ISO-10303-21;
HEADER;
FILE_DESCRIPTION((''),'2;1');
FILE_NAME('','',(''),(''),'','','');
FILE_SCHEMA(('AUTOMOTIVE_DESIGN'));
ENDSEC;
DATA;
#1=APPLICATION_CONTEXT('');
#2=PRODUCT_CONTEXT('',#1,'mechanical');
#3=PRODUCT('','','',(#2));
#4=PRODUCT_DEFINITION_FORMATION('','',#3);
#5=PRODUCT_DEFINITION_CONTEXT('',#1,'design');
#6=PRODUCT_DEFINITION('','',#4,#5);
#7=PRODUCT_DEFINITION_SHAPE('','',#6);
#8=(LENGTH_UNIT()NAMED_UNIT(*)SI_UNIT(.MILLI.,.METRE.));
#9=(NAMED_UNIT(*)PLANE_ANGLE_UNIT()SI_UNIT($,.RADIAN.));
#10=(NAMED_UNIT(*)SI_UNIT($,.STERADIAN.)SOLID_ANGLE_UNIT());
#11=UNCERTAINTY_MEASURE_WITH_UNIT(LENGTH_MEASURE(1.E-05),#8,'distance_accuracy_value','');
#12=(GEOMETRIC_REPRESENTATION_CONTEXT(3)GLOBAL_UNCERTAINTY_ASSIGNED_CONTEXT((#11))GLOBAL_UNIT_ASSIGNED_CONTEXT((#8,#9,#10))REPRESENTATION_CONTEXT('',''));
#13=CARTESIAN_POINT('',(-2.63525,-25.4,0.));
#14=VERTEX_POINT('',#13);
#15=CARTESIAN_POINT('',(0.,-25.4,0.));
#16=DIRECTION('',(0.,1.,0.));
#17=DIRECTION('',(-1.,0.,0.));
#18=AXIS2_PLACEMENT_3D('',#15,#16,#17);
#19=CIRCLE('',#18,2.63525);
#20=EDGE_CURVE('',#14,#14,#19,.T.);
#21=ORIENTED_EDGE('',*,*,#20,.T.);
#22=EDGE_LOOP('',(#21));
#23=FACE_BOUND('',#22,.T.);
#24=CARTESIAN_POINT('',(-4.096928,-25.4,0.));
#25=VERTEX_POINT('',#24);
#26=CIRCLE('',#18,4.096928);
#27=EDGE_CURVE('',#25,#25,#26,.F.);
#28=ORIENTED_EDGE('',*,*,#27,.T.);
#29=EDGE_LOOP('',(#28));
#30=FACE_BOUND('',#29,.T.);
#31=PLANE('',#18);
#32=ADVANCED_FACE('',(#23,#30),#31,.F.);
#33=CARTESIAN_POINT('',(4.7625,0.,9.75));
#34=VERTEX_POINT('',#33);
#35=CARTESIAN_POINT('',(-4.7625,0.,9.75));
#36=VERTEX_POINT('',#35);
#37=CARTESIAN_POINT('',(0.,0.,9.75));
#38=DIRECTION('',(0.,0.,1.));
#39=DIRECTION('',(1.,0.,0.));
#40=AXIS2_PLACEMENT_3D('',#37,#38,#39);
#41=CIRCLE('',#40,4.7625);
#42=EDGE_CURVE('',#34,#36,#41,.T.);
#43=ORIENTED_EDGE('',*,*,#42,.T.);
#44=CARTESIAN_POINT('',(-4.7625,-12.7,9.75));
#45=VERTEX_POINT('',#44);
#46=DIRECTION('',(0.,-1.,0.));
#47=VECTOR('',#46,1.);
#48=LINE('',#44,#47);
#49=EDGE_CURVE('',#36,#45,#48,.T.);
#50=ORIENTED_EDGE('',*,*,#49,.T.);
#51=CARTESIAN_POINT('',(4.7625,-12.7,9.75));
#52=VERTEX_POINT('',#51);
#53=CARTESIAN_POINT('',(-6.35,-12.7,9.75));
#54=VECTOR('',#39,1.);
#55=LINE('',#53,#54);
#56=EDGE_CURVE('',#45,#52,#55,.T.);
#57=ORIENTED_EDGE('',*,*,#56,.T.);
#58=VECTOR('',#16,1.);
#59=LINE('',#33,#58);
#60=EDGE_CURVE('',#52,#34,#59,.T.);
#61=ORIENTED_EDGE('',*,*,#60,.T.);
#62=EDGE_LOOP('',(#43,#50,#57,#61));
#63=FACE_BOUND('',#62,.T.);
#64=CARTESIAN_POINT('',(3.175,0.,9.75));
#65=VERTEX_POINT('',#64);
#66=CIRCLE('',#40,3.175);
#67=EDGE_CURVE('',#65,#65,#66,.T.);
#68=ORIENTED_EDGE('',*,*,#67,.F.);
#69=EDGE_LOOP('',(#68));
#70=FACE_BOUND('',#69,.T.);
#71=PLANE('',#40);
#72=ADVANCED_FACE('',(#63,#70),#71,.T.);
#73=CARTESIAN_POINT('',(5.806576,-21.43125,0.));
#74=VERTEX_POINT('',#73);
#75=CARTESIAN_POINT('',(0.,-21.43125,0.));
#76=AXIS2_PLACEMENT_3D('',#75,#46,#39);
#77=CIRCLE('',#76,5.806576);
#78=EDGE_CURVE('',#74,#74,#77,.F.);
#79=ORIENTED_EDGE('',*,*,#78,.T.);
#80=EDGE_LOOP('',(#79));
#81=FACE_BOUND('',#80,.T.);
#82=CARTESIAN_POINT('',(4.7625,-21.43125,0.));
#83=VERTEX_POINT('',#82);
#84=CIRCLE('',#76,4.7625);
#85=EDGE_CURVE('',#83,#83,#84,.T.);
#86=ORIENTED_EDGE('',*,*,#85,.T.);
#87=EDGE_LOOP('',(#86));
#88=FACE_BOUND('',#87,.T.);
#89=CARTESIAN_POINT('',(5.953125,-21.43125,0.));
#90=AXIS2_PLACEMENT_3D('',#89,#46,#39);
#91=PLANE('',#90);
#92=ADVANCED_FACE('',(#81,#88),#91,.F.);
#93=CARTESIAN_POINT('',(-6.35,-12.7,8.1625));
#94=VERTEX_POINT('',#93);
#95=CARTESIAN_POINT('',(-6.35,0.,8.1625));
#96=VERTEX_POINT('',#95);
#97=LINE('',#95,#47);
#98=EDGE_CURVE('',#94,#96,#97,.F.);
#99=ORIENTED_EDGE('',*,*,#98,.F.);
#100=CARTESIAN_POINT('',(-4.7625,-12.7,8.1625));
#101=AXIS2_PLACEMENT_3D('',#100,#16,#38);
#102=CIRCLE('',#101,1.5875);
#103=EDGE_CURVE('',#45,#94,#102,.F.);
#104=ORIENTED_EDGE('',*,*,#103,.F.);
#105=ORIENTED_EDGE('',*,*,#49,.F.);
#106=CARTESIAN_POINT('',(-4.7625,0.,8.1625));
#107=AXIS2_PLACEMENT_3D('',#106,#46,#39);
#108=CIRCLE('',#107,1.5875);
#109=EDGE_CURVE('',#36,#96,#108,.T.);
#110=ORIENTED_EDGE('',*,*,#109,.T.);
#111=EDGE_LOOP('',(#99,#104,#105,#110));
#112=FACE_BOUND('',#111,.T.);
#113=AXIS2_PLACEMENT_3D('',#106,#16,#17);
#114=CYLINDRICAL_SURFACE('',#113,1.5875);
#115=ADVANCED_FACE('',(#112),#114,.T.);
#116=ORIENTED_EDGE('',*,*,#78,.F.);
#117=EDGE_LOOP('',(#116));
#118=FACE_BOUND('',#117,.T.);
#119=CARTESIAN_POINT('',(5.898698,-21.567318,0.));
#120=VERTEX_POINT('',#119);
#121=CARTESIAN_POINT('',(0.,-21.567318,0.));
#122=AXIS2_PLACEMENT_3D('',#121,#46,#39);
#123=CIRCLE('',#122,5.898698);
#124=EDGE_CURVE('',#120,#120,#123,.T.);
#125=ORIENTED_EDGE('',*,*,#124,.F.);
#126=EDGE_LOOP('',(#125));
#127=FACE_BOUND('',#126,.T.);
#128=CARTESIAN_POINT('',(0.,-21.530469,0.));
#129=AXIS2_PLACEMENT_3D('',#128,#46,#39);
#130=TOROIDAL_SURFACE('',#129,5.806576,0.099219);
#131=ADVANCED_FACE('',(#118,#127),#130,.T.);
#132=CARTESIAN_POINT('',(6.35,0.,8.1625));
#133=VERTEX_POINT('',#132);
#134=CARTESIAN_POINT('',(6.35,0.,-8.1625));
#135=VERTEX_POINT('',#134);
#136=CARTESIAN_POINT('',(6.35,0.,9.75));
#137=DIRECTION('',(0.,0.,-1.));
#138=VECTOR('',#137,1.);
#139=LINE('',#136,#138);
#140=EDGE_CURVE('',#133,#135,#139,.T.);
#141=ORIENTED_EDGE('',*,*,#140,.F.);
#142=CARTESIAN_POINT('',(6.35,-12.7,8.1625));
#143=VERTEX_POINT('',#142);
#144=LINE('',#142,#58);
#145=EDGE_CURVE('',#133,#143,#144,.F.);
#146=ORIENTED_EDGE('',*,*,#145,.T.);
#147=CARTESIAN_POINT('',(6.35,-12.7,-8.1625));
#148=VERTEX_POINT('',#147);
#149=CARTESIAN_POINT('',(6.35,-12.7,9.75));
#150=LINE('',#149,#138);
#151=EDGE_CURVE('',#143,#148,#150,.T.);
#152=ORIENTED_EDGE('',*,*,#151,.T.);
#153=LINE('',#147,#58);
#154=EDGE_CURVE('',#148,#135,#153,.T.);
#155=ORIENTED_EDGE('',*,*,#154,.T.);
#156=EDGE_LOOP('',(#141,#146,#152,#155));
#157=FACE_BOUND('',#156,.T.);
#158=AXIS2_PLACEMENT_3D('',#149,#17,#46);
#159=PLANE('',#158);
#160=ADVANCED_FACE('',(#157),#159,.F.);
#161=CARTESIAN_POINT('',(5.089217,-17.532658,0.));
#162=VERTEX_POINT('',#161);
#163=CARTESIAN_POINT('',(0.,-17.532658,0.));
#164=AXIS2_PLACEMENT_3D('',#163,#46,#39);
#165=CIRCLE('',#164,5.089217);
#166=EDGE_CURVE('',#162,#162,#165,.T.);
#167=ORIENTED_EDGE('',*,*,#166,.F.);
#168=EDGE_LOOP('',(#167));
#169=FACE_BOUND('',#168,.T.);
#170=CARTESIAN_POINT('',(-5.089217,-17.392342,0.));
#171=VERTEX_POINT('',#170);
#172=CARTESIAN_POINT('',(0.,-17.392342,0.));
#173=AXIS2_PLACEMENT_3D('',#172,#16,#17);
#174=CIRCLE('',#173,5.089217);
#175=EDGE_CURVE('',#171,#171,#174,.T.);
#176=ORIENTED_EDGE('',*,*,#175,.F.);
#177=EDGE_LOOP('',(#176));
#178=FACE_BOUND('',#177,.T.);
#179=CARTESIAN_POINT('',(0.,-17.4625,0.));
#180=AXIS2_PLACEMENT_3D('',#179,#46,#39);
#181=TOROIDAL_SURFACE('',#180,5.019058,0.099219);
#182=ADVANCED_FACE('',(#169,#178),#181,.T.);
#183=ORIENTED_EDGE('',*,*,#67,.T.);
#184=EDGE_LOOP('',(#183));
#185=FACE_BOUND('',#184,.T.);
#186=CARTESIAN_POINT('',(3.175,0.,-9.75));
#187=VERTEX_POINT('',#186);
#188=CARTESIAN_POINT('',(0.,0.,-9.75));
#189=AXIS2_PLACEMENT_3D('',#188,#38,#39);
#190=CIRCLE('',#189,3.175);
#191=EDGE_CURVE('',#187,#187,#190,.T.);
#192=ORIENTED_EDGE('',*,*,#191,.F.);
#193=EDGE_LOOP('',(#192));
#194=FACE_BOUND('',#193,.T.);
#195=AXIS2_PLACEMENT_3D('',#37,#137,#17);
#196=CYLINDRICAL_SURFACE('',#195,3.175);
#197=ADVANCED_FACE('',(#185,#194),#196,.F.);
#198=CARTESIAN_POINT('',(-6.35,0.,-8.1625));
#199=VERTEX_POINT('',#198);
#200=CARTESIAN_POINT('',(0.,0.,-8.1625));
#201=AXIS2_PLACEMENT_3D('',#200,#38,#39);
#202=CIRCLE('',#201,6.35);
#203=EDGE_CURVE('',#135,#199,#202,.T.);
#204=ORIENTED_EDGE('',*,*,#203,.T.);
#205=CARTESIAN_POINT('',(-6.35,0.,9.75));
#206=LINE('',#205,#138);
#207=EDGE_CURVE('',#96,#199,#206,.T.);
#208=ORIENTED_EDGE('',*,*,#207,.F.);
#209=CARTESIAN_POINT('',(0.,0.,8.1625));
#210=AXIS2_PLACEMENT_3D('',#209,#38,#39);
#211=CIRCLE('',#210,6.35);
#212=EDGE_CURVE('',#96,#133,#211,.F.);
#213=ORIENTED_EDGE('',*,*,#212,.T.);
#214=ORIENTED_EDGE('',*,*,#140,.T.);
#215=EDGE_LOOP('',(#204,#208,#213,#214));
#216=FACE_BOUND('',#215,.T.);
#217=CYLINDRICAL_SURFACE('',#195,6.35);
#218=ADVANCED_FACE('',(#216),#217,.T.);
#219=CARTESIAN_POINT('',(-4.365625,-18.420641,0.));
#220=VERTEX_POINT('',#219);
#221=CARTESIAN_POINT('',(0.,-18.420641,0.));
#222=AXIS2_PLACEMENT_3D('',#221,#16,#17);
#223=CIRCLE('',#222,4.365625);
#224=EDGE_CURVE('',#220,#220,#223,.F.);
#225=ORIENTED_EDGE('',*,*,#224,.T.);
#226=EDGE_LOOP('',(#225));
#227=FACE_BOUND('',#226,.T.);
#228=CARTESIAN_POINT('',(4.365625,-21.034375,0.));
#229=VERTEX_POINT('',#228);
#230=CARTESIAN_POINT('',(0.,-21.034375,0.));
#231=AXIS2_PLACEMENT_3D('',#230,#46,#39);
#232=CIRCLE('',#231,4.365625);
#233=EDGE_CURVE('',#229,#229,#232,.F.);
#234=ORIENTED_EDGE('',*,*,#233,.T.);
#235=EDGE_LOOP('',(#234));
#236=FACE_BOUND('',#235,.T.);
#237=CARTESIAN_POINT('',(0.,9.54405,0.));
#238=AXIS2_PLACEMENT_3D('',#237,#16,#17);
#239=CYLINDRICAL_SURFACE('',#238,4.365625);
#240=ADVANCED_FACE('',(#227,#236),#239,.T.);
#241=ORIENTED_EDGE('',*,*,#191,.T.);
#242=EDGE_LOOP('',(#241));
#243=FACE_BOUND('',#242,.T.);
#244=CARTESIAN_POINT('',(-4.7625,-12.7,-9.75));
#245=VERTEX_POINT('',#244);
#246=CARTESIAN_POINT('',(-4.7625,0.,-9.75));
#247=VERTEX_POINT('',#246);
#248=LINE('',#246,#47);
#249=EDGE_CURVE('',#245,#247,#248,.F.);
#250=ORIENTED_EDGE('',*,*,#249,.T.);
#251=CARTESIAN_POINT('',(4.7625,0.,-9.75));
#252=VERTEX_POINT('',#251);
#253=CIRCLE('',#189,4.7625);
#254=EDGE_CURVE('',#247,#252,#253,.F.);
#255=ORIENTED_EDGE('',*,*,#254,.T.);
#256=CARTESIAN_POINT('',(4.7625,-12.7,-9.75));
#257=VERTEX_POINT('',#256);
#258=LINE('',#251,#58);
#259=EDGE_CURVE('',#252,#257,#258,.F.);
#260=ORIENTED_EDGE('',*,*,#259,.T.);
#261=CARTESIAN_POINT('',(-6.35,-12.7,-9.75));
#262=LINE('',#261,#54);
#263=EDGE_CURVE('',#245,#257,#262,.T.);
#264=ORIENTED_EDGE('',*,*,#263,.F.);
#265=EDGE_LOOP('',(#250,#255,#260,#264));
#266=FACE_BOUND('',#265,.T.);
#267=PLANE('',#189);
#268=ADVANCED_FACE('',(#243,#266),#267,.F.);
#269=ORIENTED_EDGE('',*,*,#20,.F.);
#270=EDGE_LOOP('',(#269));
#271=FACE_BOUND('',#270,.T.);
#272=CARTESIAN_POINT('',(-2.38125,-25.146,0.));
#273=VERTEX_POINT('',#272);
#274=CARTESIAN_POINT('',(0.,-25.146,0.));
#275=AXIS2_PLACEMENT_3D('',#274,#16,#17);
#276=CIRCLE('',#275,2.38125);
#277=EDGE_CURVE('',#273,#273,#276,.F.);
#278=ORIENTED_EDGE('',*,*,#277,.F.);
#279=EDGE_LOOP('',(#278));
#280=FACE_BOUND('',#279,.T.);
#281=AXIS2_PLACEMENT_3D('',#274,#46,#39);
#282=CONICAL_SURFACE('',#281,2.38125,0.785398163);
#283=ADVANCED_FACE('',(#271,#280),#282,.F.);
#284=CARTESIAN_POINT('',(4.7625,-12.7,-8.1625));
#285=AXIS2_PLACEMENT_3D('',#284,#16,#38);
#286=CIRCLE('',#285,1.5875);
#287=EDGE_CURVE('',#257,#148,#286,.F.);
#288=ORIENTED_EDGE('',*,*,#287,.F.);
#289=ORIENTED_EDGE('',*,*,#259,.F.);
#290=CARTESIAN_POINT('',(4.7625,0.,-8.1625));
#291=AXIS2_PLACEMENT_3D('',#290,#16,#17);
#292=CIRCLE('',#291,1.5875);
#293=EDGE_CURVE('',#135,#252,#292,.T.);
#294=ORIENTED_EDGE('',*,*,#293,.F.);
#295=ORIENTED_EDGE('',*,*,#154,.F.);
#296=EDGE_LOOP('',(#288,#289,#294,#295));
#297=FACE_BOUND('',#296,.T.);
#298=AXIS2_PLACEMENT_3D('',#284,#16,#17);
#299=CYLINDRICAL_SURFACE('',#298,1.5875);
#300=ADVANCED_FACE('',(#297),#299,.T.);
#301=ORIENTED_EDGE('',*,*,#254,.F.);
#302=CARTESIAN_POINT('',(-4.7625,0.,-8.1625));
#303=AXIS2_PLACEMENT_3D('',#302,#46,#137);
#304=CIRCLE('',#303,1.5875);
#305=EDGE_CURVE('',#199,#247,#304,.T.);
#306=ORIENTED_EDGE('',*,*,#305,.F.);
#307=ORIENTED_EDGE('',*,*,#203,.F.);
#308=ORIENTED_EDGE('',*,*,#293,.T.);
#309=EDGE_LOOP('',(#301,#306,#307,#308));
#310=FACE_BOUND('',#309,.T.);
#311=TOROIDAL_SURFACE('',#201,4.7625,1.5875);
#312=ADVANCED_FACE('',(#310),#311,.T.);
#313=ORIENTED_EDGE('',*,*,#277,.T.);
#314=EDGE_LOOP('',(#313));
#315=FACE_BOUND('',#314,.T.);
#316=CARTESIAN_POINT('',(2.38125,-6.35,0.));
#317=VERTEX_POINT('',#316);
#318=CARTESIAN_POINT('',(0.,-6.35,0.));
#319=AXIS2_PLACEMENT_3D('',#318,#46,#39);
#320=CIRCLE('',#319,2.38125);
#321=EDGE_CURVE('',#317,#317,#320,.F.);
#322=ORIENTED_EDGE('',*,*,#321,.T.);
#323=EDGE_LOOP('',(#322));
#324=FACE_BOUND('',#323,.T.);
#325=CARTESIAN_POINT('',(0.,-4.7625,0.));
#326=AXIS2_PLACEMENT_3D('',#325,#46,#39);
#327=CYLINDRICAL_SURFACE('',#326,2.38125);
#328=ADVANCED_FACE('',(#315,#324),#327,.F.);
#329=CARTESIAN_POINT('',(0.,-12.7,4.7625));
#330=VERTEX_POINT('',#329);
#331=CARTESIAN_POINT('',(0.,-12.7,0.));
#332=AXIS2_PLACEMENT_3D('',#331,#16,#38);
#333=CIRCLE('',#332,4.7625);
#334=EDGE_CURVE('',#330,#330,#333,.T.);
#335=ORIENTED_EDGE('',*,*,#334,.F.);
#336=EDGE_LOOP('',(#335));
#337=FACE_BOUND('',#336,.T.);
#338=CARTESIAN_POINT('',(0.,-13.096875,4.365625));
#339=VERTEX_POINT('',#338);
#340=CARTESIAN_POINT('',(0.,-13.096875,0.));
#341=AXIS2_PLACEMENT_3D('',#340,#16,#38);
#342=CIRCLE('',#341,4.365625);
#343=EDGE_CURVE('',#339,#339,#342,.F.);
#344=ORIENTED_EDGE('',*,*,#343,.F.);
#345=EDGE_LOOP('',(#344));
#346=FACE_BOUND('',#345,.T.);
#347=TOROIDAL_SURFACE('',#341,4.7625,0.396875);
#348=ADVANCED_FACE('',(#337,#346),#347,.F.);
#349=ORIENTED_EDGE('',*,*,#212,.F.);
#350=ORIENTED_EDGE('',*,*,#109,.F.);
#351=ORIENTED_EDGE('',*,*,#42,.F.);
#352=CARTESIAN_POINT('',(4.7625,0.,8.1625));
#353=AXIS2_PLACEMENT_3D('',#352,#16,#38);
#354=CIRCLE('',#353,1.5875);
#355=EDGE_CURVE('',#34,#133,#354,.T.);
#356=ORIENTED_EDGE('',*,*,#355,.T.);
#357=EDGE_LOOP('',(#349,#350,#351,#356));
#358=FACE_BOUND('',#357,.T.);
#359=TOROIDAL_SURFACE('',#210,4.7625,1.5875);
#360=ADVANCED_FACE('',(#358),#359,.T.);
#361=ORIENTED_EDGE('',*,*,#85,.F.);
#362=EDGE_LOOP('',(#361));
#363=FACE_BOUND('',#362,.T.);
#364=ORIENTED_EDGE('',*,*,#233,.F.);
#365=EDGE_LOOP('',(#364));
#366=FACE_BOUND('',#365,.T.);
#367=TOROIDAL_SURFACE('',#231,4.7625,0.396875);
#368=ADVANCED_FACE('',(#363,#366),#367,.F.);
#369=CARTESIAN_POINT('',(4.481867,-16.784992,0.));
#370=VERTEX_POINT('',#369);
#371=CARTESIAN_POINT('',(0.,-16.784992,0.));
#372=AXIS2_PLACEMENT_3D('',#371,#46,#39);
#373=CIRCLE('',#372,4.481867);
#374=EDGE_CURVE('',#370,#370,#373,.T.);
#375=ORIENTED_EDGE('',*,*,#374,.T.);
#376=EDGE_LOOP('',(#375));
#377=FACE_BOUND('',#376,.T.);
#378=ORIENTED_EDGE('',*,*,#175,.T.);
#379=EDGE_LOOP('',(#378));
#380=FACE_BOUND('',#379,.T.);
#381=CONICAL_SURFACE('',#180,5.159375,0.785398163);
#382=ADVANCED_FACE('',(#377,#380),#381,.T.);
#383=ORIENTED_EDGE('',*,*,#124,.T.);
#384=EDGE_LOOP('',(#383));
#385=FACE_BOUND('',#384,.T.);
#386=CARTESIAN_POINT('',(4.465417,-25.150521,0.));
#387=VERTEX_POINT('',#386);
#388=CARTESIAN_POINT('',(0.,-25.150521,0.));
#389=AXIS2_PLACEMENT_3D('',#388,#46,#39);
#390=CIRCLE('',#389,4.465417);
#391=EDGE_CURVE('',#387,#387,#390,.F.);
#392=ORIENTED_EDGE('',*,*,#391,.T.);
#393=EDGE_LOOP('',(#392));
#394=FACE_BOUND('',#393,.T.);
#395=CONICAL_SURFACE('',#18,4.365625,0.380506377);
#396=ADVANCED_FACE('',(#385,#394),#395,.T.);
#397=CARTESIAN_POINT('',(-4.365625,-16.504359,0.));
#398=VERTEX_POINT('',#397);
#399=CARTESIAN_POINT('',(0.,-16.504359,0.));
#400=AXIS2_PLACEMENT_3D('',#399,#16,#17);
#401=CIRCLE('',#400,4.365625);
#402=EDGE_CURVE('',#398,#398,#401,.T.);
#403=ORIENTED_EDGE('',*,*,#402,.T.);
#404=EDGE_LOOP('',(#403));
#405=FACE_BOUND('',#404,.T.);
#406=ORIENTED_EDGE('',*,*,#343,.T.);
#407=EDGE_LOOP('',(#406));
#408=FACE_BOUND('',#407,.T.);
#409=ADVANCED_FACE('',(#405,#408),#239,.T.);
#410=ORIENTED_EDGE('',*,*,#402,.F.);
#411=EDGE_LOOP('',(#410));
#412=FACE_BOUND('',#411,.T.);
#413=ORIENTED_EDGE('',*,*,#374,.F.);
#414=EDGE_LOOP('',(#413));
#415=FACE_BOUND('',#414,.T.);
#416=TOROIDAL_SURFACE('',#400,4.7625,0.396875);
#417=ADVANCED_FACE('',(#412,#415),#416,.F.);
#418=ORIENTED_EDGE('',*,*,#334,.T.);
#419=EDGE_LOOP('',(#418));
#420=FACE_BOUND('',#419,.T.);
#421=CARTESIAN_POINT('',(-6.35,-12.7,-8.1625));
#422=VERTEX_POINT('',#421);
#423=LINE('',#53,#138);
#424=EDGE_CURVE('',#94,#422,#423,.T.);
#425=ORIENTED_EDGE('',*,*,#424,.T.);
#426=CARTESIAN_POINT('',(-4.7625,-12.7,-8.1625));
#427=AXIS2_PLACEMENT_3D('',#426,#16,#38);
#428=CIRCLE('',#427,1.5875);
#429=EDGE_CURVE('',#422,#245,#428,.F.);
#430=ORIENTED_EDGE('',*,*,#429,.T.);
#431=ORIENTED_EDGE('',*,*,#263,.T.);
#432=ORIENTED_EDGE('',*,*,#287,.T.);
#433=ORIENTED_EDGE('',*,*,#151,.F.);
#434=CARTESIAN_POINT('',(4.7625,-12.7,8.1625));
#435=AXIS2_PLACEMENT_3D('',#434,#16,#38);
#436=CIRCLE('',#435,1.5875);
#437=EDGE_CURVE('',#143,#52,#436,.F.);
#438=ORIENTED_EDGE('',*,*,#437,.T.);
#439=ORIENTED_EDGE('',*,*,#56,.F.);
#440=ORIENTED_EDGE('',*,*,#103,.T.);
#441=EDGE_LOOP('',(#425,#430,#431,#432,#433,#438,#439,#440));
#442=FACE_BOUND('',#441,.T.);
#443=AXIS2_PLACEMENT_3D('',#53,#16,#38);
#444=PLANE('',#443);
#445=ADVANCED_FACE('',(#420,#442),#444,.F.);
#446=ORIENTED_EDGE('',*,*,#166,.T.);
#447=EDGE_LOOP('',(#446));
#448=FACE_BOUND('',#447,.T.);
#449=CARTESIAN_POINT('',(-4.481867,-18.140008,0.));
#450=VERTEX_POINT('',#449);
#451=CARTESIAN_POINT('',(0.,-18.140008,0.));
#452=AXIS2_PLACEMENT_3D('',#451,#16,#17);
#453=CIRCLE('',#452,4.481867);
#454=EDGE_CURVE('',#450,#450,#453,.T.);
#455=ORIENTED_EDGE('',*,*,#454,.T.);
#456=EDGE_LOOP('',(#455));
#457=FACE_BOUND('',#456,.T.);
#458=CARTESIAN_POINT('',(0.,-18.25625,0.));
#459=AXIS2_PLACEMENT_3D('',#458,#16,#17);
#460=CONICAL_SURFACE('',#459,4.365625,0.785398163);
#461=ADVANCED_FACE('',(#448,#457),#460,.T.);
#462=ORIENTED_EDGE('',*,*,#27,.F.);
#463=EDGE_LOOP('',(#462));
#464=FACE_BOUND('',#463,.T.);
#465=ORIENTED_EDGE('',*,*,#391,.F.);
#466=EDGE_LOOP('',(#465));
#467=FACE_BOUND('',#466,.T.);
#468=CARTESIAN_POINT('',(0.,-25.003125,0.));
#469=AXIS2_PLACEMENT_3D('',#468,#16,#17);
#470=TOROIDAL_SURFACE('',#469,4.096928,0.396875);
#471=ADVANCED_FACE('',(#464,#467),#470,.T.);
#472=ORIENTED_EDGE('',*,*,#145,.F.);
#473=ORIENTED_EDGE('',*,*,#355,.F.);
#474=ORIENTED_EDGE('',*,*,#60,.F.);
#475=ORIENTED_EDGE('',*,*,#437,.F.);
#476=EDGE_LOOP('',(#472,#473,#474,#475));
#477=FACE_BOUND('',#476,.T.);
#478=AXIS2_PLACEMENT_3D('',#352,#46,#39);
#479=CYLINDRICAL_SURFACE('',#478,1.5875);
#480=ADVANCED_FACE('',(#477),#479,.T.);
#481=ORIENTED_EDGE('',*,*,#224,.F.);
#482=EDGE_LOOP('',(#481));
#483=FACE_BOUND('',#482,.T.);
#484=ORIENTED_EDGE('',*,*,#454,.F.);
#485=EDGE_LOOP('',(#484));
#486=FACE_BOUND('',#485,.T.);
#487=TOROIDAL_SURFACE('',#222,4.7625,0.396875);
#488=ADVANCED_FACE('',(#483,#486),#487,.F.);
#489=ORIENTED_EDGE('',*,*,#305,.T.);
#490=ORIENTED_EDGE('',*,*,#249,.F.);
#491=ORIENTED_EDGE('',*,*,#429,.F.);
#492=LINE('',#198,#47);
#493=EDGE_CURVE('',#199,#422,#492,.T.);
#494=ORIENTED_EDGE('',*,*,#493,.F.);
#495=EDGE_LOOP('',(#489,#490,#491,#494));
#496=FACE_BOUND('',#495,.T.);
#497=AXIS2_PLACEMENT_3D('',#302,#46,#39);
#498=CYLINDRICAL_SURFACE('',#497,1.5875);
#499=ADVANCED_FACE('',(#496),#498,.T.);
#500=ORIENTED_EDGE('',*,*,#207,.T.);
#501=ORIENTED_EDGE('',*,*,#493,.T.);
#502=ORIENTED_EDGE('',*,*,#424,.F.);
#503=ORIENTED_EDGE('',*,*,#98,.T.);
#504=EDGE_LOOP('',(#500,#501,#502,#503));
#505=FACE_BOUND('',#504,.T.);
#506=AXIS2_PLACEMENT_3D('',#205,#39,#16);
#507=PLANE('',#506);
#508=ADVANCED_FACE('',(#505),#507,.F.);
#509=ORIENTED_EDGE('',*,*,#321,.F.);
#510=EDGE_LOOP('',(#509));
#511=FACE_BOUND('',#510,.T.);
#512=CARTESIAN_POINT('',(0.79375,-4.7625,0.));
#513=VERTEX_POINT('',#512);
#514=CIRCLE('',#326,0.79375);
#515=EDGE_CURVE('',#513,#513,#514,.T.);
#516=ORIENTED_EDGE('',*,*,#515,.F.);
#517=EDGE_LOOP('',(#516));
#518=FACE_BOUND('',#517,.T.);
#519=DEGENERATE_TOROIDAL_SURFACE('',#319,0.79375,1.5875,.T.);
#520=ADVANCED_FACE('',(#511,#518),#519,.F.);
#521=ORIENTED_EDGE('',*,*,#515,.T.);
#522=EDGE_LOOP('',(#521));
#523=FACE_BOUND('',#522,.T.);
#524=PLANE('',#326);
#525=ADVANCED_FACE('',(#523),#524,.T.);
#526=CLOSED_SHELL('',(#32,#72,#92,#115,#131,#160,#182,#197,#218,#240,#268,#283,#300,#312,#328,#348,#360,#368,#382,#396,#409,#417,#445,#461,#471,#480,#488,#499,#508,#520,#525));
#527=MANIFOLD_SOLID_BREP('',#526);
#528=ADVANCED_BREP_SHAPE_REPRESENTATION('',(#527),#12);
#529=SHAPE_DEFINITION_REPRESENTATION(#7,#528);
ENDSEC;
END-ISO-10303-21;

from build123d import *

# Parameters (mm, degrees)
SKETCH1_R           = 3.175
BOSS_EXTRUDE1_DEPTH = 9.75
SKETCH3_R           = 2.38125
CUT_EXTRUDE1_DEPTH  = 20.6375
FILLET1_R           = 1.5875
FILLET2_R           = 0.396875
FILLET3_R           = 0.09921875
CHAMFER2_SIZE       = 0.254


with BuildPart() as part:
    # Sketch1 → Boss-Extrude1 (new, symmetric)
    with BuildSketch(Plane.XY):
        with BuildLine():
            Line((-6.35, 0), (-6.35, -12.7))
            Line((-6.35, -12.7), (6.35, -12.7))
            Line((6.35, -12.7), (6.35, 0))
            ThreePointArc((6.35, 0), (0, 6.35), (-6.35, 0))
        make_face()
        Circle(SKETCH1_R, mode=Mode.SUBTRACT)
    extrude(amount=BOSS_EXTRUDE1_DEPTH, both=True)

    # Sketch2 → Revolve1 (revolve)
    with BuildSketch(Plane.XY, mode=Mode.PRIVATE) as revolve1_sk:
        Polygon((0, -12.7), (4.365625, -12.7), (4.365625, -16.66875), (5.159375, -17.4625), (4.365625, -18.25625), (4.365625, -21.43125), (5.953125, -21.43125), (4.365625, -25.4), (0, -25.4), align=None)
    revolve(revolve1_sk.sketch.rotate(Axis((0, 9.54404991, 0), (0, -1, 0)), 180), axis=Axis((0, 9.54404991, 0), (0, -1, 0)))

    # Sketch3 → Cut-Extrude1 (cut)
    with BuildSketch(Plane.XZ.offset(25.4)):
        Circle(SKETCH3_R)
    extrude(amount=-CUT_EXTRUDE1_DEPTH, mode=Mode.SUBTRACT)

    # Fillet1
    fillet1_edges = [part.edges().sort_by_distance(p)[0] for p in [
        (6.35, -6.35, 9.75),
        (-2.38125, -4.7625, 0),
        (0, 6.35, 9.75),
        (6.35, -6.35, -9.75),
        (-6.35, -6.35, -9.75),
        (0, 6.35, -9.75),
        (-6.35, -6.35, 9.75),
    ]]
    fillet(fillet1_edges, radius=FILLET1_R)

    # Fillet2
    fillet2_edges = [part.edges().sort_by_distance(p)[0] for p in [
        (4.365625, -12.7, 0),
        (4.365625, -16.66875, 0),
        (4.365625, -18.25625, 0),
        (4.365625, -21.43125, 0),
        (4.365625, -25.4, 0),
    ]]
    fillet(fillet2_edges, radius=FILLET2_R)

    # Fillet3
    fillet3_edges = [part.edges().sort_by_distance(p)[0] for p in [
        (5.159375, -17.4625, 0),
        (5.953125, -21.43125, 0),
    ]]
    fillet(fillet3_edges, radius=FILLET3_R)

    # Chamfer2
    chamfer2_edges = [part.edges().sort_by_distance(p)[0] for p in [
        (-2.38125, -25.4, 0),
    ]]
    chamfer(chamfer2_edges, length=CHAMFER2_SIZE)


solid = part.part
